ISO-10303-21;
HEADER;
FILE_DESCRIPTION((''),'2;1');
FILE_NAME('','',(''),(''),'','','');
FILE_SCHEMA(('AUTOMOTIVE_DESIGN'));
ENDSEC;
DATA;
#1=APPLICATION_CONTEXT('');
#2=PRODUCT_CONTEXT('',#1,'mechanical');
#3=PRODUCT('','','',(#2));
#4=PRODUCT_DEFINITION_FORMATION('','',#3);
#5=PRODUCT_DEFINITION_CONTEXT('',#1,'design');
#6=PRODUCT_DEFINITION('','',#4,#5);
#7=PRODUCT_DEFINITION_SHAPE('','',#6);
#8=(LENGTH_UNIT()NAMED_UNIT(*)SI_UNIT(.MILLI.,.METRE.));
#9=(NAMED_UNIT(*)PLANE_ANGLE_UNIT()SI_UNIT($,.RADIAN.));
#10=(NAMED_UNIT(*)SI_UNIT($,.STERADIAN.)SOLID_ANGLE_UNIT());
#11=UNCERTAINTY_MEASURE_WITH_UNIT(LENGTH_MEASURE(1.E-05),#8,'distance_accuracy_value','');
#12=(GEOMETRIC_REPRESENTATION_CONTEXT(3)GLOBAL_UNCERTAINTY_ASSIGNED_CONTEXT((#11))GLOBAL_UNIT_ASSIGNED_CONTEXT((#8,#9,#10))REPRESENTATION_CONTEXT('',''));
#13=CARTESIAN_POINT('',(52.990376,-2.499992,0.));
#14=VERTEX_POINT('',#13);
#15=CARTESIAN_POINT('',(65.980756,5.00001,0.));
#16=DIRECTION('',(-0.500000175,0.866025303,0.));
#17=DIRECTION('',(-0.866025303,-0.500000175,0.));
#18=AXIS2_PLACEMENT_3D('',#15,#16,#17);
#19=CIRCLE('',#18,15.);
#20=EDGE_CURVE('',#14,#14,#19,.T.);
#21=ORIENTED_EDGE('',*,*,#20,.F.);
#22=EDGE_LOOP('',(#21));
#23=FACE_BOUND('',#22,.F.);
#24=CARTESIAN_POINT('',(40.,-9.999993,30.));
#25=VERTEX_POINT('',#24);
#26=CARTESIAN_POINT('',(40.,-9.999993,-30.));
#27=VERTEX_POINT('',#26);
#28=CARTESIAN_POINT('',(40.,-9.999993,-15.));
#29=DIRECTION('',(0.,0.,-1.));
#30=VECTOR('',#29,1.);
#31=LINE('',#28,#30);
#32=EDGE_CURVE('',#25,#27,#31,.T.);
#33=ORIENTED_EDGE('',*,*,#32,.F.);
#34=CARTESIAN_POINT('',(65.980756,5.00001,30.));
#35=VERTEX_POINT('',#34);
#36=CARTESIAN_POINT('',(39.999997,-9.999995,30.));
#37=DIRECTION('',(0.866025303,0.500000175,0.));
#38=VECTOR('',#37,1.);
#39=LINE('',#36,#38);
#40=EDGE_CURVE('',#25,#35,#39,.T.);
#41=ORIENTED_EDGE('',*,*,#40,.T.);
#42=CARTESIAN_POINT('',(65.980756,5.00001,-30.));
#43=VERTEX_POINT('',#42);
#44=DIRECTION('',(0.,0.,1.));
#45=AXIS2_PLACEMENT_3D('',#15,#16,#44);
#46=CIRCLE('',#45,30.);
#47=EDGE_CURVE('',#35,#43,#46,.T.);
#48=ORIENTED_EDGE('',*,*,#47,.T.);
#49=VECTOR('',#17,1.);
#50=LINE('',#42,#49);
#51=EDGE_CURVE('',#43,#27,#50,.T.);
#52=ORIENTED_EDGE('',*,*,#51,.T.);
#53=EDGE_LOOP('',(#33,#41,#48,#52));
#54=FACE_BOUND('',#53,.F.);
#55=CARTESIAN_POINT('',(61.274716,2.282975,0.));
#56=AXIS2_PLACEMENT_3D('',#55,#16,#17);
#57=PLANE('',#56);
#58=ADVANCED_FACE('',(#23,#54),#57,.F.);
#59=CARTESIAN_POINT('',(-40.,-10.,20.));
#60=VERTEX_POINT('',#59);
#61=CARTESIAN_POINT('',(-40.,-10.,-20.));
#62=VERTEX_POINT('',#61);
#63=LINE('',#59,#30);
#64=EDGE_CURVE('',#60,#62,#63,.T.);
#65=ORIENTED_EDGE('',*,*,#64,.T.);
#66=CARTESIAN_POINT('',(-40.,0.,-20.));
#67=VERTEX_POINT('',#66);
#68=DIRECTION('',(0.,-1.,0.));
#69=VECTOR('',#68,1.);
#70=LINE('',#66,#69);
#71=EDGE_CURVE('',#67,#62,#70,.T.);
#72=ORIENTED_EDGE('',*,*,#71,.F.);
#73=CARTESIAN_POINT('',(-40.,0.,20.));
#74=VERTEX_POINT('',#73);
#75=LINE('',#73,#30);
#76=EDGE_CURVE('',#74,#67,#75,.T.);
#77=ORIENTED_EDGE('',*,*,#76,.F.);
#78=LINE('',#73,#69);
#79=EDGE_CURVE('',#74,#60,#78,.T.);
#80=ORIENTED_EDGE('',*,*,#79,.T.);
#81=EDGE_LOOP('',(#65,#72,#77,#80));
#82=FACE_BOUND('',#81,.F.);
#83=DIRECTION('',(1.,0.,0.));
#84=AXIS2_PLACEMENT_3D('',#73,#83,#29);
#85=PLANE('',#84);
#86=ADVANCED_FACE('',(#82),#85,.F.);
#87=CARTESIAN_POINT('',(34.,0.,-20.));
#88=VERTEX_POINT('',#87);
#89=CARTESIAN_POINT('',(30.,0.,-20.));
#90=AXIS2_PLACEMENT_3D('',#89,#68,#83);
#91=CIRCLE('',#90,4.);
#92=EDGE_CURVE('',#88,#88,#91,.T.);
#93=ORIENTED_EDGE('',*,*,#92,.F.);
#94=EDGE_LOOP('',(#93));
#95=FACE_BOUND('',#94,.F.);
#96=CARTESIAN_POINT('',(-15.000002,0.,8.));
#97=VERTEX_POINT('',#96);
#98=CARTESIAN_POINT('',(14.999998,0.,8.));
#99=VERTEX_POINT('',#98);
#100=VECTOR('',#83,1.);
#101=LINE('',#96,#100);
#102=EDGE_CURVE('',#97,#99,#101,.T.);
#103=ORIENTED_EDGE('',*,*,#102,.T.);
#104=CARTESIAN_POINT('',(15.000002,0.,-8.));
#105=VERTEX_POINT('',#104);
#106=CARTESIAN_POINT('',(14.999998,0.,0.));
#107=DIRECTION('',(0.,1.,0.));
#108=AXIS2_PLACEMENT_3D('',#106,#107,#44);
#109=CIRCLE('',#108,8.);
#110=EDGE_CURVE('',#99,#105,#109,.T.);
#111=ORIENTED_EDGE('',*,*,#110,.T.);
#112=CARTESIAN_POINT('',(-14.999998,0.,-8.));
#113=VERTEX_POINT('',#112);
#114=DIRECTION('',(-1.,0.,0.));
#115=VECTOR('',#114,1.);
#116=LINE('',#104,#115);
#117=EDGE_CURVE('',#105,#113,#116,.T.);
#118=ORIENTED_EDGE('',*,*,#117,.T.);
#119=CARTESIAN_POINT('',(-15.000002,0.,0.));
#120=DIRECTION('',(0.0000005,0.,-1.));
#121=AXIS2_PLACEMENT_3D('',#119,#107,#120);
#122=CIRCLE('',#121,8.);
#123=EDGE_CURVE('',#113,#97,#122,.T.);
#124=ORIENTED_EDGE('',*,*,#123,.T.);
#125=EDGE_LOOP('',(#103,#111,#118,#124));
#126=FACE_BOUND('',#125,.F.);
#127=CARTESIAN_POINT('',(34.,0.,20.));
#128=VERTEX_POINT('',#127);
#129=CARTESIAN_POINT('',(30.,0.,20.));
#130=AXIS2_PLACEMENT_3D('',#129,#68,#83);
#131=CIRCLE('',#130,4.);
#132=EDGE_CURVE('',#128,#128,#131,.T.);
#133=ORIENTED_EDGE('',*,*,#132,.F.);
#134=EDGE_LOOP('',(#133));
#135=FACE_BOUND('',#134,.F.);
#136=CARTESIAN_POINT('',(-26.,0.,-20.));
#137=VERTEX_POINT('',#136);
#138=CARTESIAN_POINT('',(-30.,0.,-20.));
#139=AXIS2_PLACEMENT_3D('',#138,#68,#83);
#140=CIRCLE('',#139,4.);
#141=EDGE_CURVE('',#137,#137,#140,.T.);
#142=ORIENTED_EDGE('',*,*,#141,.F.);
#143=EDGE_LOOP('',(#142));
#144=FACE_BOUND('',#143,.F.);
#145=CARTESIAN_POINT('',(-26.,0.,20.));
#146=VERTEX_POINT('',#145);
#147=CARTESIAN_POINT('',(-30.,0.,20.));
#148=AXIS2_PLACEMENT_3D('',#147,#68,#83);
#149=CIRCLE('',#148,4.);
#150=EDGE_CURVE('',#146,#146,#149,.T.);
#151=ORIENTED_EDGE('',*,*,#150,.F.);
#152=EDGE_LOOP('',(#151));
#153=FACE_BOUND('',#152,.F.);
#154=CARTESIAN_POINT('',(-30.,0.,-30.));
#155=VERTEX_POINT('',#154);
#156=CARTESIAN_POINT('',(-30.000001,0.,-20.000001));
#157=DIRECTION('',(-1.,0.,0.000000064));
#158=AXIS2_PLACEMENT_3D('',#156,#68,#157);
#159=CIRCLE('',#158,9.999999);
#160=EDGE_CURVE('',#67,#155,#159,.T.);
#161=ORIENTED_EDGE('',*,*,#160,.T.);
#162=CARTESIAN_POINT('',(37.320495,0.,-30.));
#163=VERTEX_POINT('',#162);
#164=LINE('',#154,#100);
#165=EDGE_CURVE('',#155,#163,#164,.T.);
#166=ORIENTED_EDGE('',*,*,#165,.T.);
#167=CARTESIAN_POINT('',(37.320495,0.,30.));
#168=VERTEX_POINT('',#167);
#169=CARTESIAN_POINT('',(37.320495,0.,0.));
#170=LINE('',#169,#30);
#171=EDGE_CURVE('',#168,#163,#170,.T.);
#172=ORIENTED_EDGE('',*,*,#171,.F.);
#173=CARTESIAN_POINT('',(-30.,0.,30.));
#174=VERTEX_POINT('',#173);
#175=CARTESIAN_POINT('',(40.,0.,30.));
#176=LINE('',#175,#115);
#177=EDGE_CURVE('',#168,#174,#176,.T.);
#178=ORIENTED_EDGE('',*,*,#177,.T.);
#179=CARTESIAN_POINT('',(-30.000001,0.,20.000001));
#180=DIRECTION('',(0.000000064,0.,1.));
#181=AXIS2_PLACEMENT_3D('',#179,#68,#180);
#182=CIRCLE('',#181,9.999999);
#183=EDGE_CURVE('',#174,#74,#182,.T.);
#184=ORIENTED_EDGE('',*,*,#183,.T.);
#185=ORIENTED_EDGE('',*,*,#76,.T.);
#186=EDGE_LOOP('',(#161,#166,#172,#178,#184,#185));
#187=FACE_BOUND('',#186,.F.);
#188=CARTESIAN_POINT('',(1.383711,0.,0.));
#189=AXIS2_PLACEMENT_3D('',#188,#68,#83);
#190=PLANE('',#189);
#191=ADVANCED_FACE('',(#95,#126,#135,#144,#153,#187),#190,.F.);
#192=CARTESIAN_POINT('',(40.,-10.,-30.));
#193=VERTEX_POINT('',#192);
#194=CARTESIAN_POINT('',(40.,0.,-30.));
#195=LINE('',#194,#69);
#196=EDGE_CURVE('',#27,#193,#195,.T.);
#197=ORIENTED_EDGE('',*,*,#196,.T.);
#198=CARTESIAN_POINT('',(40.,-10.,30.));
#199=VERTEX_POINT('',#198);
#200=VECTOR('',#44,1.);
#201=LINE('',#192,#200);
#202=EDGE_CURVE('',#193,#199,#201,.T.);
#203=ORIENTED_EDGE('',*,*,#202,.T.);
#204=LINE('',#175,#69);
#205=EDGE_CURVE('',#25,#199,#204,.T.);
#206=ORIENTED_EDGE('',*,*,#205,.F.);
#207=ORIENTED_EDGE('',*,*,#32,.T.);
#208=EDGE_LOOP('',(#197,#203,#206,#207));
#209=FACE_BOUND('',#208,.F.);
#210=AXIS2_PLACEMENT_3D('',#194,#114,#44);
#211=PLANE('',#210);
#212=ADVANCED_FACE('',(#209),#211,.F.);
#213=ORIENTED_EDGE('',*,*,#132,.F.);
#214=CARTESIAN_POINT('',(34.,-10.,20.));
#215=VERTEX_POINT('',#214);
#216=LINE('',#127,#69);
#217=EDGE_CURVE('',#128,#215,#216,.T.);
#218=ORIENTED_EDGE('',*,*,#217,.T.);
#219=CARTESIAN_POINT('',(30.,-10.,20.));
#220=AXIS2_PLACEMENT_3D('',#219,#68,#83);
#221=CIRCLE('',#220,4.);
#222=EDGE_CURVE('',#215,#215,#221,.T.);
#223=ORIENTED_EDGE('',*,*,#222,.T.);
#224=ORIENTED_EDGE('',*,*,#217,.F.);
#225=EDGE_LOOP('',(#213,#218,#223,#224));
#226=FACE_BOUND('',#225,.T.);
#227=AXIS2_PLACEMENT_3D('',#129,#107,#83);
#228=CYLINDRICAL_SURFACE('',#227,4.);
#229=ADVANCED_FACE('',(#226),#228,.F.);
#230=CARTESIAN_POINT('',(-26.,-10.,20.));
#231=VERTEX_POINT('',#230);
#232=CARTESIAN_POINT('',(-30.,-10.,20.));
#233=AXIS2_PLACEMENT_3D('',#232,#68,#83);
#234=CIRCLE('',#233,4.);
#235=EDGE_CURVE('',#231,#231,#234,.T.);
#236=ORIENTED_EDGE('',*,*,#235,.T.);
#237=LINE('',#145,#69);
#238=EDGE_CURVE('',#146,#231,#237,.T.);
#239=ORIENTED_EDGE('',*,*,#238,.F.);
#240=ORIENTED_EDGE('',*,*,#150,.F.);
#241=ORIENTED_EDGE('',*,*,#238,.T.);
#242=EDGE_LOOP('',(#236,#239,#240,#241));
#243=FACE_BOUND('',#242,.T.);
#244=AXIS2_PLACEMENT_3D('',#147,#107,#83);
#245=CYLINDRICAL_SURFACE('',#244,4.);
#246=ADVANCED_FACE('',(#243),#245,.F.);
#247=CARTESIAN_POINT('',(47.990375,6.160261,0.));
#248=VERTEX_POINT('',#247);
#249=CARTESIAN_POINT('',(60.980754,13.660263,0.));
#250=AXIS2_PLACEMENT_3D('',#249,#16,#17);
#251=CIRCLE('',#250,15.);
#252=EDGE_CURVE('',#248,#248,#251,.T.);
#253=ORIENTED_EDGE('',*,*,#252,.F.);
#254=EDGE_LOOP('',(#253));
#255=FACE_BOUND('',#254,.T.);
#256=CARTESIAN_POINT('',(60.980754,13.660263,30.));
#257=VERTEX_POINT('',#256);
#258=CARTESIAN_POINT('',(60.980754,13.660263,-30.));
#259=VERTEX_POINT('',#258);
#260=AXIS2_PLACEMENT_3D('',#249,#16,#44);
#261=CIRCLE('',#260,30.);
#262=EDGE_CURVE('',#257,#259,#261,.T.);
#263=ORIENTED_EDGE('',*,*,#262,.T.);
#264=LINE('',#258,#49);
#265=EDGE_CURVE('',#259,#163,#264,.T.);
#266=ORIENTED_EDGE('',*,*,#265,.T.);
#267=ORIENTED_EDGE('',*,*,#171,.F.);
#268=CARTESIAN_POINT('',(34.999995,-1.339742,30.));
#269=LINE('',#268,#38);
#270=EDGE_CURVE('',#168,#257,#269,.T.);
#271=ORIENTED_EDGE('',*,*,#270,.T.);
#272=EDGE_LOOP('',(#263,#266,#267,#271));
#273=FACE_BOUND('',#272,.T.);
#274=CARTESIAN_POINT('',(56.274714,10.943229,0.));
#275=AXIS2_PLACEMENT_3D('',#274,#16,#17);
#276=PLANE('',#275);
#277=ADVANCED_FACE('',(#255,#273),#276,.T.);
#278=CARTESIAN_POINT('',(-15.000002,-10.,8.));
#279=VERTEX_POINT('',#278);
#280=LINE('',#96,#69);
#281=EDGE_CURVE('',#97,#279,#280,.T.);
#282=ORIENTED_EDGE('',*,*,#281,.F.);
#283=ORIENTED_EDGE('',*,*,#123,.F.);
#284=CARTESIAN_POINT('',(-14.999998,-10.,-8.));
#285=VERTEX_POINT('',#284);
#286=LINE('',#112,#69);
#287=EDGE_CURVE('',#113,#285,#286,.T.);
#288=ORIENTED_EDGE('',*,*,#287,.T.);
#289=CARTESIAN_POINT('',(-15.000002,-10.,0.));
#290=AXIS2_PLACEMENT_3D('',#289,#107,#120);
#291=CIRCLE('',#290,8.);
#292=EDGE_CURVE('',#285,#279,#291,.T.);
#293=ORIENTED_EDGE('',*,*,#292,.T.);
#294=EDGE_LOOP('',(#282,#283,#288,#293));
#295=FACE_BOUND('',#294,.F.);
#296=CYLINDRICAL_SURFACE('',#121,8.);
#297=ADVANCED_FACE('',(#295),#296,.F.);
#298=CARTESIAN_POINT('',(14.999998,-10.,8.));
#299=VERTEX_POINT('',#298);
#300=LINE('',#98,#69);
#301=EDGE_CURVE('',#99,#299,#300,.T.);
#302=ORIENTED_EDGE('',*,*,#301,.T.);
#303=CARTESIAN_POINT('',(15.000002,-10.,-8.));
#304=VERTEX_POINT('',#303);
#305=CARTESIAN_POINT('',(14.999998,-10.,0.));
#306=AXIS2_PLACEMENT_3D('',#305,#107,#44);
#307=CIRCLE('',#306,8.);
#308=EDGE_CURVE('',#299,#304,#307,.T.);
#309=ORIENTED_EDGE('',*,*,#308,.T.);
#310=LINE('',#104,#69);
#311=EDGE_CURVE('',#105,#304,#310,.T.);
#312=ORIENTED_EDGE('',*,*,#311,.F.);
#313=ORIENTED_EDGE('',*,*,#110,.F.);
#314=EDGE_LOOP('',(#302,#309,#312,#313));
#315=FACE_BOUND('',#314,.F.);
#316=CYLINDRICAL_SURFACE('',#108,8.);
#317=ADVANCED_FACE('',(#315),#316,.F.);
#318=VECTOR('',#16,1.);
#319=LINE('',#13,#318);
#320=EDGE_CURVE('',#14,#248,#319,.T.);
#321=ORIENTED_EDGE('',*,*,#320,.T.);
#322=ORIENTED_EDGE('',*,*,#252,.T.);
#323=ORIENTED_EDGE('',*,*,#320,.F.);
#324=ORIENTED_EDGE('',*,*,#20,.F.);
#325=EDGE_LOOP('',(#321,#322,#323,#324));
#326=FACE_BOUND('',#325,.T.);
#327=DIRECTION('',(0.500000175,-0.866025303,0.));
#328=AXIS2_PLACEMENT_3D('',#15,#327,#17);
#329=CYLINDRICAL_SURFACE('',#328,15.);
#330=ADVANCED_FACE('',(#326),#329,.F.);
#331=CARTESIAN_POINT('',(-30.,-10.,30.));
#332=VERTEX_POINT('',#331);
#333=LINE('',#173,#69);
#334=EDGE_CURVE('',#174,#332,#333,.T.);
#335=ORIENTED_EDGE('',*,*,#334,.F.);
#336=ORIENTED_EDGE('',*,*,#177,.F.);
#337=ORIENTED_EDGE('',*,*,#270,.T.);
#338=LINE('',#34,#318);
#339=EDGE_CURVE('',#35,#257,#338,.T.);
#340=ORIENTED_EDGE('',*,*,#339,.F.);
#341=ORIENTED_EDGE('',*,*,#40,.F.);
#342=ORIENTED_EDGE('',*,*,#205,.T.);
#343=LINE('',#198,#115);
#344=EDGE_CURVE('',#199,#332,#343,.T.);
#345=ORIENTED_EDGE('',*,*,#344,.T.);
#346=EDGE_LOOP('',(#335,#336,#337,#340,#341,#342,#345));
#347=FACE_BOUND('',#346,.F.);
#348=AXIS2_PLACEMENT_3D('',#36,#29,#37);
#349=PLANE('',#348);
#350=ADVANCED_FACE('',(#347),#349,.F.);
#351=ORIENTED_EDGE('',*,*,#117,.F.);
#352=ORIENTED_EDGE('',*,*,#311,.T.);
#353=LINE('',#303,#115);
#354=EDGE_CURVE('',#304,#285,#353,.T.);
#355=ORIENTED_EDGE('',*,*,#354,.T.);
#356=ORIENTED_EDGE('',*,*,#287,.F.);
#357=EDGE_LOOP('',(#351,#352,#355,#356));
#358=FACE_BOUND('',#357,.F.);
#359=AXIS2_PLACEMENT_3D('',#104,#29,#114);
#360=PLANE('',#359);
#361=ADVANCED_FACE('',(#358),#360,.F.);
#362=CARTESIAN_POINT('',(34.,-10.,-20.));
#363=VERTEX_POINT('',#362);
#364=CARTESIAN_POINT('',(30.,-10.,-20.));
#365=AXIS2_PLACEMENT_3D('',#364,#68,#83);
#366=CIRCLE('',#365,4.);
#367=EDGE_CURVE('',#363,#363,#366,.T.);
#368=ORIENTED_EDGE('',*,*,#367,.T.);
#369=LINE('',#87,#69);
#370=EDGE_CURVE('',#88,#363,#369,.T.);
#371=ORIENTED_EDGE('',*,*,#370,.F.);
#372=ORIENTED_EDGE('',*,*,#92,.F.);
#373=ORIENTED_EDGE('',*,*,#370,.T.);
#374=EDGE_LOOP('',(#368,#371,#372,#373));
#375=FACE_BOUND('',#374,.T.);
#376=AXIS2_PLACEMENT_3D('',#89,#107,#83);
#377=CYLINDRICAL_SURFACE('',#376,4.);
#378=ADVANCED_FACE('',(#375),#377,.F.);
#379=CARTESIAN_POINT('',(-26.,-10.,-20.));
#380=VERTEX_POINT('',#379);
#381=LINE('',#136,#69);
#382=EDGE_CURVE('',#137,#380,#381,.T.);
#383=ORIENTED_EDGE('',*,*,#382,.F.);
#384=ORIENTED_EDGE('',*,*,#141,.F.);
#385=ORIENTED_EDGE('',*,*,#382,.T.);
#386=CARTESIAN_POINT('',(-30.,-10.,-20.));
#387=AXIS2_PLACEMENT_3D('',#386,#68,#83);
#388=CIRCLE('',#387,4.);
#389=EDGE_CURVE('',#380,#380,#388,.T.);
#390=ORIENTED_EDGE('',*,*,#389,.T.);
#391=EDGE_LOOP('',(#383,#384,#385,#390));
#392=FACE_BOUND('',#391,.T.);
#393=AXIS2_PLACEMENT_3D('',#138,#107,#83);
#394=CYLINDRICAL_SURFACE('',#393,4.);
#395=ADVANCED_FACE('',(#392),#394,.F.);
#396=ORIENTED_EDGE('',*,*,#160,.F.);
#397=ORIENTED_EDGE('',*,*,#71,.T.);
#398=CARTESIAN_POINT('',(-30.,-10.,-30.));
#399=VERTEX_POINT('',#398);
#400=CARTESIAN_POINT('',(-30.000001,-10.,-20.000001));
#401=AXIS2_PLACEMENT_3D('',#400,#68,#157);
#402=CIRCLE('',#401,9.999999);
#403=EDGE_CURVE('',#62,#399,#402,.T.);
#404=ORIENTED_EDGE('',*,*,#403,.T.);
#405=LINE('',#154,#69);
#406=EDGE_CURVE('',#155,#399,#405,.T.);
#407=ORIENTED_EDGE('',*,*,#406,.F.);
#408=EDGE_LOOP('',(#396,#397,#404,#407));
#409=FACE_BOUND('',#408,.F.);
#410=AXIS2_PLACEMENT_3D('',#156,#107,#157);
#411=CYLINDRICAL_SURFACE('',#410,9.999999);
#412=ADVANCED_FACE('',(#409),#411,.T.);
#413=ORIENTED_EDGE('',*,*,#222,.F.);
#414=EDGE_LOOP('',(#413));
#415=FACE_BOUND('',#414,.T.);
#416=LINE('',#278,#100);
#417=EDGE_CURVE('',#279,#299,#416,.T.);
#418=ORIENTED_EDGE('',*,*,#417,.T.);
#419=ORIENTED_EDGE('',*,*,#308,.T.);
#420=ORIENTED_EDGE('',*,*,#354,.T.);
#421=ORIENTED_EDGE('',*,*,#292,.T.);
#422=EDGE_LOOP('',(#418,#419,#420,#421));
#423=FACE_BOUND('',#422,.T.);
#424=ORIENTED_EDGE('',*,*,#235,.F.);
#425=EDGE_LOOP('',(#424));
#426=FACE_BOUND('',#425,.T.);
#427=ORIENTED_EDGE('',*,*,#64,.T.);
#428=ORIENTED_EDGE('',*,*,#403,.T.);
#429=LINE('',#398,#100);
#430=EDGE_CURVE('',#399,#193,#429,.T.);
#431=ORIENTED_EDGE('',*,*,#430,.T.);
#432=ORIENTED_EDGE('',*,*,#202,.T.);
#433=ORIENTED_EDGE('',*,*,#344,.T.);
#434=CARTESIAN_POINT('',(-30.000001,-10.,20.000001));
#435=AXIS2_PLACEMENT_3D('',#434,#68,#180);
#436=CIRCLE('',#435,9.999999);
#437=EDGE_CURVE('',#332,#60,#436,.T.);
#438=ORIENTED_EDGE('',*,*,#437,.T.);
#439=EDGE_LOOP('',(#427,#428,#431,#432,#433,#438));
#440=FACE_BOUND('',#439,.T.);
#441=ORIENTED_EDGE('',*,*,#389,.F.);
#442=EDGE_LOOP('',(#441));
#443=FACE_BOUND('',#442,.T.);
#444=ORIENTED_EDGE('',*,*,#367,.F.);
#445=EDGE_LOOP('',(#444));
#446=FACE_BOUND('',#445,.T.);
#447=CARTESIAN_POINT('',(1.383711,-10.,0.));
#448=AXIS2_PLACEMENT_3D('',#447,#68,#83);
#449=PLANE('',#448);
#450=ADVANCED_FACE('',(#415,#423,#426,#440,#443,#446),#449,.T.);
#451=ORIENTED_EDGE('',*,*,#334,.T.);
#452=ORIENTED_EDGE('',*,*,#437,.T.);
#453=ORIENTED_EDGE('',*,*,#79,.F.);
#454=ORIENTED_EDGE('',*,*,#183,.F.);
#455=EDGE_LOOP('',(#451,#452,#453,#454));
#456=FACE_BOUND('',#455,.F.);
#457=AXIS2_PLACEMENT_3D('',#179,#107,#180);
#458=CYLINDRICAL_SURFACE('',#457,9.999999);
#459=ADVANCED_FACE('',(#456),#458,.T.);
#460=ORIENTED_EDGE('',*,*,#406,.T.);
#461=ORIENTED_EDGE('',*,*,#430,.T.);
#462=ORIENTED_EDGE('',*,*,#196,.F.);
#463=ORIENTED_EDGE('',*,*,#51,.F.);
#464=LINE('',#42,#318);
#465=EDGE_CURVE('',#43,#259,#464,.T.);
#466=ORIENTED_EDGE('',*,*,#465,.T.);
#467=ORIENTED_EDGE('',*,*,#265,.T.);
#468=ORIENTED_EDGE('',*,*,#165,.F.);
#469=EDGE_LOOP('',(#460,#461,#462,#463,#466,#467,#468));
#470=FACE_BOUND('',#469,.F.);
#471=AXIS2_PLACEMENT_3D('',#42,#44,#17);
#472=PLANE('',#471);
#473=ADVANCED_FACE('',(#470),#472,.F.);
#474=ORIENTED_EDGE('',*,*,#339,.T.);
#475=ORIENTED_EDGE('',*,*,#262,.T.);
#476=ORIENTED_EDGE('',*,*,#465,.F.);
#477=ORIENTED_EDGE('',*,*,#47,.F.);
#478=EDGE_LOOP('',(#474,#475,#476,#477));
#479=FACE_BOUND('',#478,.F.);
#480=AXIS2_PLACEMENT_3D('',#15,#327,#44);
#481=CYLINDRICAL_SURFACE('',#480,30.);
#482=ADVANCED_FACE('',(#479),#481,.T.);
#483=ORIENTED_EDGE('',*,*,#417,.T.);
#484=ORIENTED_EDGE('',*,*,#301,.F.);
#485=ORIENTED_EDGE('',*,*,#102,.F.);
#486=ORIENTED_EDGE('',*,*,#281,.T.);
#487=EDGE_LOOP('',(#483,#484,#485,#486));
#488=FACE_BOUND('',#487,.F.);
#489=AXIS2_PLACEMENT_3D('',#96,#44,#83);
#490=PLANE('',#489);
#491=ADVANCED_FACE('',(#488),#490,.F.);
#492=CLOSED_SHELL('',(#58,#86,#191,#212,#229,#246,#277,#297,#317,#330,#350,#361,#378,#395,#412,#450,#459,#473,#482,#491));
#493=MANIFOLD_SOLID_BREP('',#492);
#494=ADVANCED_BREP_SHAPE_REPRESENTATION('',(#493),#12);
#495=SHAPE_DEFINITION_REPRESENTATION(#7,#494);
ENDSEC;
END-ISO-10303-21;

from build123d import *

# Parameters (mm, degrees)
F0_R     = 4
F1_DEPTH = 10
F3_R     = 15
F4_DEPTH = 10


with BuildPart() as f1:
    # F0 (on Front) → F1 (new body)
    with BuildSketch(Plane.XZ):
        with BuildLine():
            Line((40, 30), (-30, 30))
            ThreePointArc((-30, 30), (-37.071068, 27.071068), (-40, 20))
            Line((-40, 20), (-40, -20))
            ThreePointArc((-40, -20), (-37.071068, -27.071068), (-30, -30))
            Line((-30, -30), (40, -30))
            Line((40, -30), (40, 30))
        make_face()
        with Locations((-30, -20)):
            Circle(F0_R, mode=Mode.SUBTRACT)
        with BuildLine():
            ThreePointArc((14.999998, 8), (22.999998, 2e-06), (15.000002, -8))
            Line((15.000002, -8), (-14.999998, -8))
            ThreePointArc((-14.999998, -8), (-23.000002, -2e-06), (-15.000002, 8))
            Line((-15.000002, 8), (14.999998, 8))
        make_face(mode=Mode.SUBTRACT)
        with Locations((30, -20)):
            Circle(F0_R, mode=Mode.SUBTRACT)
        with Locations((-30, 20)):
            Circle(F0_R, mode=Mode.SUBTRACT)
        with Locations((30, 20)):
            Circle(F0_R, mode=Mode.SUBTRACT)
    extrude(amount=F1_DEPTH)

    # F3 (on face) → F4 (join)
    with BuildSketch(Plane(origin=(14.330127, -24.820508, 0), x_dir=(-0.866025, -0.5, 0), z_dir=(-0.5, 0.866025, 0))):
        with BuildLine():
            Line((-59.641016, -30), (-29.641016, -30))
            Line((-29.641016, -30), (-29.641016, 30))
            Line((-29.641016, 30), (-59.641016, 30))
            ThreePointArc((-59.641016, 30), (-89.641016, 0), (-59.641016, -30))
        make_face()
        with Locations((-59.641016, 0)):
            Circle(F3_R, mode=Mode.SUBTRACT)
    extrude(amount=F4_DEPTH)


solid = f1.part
